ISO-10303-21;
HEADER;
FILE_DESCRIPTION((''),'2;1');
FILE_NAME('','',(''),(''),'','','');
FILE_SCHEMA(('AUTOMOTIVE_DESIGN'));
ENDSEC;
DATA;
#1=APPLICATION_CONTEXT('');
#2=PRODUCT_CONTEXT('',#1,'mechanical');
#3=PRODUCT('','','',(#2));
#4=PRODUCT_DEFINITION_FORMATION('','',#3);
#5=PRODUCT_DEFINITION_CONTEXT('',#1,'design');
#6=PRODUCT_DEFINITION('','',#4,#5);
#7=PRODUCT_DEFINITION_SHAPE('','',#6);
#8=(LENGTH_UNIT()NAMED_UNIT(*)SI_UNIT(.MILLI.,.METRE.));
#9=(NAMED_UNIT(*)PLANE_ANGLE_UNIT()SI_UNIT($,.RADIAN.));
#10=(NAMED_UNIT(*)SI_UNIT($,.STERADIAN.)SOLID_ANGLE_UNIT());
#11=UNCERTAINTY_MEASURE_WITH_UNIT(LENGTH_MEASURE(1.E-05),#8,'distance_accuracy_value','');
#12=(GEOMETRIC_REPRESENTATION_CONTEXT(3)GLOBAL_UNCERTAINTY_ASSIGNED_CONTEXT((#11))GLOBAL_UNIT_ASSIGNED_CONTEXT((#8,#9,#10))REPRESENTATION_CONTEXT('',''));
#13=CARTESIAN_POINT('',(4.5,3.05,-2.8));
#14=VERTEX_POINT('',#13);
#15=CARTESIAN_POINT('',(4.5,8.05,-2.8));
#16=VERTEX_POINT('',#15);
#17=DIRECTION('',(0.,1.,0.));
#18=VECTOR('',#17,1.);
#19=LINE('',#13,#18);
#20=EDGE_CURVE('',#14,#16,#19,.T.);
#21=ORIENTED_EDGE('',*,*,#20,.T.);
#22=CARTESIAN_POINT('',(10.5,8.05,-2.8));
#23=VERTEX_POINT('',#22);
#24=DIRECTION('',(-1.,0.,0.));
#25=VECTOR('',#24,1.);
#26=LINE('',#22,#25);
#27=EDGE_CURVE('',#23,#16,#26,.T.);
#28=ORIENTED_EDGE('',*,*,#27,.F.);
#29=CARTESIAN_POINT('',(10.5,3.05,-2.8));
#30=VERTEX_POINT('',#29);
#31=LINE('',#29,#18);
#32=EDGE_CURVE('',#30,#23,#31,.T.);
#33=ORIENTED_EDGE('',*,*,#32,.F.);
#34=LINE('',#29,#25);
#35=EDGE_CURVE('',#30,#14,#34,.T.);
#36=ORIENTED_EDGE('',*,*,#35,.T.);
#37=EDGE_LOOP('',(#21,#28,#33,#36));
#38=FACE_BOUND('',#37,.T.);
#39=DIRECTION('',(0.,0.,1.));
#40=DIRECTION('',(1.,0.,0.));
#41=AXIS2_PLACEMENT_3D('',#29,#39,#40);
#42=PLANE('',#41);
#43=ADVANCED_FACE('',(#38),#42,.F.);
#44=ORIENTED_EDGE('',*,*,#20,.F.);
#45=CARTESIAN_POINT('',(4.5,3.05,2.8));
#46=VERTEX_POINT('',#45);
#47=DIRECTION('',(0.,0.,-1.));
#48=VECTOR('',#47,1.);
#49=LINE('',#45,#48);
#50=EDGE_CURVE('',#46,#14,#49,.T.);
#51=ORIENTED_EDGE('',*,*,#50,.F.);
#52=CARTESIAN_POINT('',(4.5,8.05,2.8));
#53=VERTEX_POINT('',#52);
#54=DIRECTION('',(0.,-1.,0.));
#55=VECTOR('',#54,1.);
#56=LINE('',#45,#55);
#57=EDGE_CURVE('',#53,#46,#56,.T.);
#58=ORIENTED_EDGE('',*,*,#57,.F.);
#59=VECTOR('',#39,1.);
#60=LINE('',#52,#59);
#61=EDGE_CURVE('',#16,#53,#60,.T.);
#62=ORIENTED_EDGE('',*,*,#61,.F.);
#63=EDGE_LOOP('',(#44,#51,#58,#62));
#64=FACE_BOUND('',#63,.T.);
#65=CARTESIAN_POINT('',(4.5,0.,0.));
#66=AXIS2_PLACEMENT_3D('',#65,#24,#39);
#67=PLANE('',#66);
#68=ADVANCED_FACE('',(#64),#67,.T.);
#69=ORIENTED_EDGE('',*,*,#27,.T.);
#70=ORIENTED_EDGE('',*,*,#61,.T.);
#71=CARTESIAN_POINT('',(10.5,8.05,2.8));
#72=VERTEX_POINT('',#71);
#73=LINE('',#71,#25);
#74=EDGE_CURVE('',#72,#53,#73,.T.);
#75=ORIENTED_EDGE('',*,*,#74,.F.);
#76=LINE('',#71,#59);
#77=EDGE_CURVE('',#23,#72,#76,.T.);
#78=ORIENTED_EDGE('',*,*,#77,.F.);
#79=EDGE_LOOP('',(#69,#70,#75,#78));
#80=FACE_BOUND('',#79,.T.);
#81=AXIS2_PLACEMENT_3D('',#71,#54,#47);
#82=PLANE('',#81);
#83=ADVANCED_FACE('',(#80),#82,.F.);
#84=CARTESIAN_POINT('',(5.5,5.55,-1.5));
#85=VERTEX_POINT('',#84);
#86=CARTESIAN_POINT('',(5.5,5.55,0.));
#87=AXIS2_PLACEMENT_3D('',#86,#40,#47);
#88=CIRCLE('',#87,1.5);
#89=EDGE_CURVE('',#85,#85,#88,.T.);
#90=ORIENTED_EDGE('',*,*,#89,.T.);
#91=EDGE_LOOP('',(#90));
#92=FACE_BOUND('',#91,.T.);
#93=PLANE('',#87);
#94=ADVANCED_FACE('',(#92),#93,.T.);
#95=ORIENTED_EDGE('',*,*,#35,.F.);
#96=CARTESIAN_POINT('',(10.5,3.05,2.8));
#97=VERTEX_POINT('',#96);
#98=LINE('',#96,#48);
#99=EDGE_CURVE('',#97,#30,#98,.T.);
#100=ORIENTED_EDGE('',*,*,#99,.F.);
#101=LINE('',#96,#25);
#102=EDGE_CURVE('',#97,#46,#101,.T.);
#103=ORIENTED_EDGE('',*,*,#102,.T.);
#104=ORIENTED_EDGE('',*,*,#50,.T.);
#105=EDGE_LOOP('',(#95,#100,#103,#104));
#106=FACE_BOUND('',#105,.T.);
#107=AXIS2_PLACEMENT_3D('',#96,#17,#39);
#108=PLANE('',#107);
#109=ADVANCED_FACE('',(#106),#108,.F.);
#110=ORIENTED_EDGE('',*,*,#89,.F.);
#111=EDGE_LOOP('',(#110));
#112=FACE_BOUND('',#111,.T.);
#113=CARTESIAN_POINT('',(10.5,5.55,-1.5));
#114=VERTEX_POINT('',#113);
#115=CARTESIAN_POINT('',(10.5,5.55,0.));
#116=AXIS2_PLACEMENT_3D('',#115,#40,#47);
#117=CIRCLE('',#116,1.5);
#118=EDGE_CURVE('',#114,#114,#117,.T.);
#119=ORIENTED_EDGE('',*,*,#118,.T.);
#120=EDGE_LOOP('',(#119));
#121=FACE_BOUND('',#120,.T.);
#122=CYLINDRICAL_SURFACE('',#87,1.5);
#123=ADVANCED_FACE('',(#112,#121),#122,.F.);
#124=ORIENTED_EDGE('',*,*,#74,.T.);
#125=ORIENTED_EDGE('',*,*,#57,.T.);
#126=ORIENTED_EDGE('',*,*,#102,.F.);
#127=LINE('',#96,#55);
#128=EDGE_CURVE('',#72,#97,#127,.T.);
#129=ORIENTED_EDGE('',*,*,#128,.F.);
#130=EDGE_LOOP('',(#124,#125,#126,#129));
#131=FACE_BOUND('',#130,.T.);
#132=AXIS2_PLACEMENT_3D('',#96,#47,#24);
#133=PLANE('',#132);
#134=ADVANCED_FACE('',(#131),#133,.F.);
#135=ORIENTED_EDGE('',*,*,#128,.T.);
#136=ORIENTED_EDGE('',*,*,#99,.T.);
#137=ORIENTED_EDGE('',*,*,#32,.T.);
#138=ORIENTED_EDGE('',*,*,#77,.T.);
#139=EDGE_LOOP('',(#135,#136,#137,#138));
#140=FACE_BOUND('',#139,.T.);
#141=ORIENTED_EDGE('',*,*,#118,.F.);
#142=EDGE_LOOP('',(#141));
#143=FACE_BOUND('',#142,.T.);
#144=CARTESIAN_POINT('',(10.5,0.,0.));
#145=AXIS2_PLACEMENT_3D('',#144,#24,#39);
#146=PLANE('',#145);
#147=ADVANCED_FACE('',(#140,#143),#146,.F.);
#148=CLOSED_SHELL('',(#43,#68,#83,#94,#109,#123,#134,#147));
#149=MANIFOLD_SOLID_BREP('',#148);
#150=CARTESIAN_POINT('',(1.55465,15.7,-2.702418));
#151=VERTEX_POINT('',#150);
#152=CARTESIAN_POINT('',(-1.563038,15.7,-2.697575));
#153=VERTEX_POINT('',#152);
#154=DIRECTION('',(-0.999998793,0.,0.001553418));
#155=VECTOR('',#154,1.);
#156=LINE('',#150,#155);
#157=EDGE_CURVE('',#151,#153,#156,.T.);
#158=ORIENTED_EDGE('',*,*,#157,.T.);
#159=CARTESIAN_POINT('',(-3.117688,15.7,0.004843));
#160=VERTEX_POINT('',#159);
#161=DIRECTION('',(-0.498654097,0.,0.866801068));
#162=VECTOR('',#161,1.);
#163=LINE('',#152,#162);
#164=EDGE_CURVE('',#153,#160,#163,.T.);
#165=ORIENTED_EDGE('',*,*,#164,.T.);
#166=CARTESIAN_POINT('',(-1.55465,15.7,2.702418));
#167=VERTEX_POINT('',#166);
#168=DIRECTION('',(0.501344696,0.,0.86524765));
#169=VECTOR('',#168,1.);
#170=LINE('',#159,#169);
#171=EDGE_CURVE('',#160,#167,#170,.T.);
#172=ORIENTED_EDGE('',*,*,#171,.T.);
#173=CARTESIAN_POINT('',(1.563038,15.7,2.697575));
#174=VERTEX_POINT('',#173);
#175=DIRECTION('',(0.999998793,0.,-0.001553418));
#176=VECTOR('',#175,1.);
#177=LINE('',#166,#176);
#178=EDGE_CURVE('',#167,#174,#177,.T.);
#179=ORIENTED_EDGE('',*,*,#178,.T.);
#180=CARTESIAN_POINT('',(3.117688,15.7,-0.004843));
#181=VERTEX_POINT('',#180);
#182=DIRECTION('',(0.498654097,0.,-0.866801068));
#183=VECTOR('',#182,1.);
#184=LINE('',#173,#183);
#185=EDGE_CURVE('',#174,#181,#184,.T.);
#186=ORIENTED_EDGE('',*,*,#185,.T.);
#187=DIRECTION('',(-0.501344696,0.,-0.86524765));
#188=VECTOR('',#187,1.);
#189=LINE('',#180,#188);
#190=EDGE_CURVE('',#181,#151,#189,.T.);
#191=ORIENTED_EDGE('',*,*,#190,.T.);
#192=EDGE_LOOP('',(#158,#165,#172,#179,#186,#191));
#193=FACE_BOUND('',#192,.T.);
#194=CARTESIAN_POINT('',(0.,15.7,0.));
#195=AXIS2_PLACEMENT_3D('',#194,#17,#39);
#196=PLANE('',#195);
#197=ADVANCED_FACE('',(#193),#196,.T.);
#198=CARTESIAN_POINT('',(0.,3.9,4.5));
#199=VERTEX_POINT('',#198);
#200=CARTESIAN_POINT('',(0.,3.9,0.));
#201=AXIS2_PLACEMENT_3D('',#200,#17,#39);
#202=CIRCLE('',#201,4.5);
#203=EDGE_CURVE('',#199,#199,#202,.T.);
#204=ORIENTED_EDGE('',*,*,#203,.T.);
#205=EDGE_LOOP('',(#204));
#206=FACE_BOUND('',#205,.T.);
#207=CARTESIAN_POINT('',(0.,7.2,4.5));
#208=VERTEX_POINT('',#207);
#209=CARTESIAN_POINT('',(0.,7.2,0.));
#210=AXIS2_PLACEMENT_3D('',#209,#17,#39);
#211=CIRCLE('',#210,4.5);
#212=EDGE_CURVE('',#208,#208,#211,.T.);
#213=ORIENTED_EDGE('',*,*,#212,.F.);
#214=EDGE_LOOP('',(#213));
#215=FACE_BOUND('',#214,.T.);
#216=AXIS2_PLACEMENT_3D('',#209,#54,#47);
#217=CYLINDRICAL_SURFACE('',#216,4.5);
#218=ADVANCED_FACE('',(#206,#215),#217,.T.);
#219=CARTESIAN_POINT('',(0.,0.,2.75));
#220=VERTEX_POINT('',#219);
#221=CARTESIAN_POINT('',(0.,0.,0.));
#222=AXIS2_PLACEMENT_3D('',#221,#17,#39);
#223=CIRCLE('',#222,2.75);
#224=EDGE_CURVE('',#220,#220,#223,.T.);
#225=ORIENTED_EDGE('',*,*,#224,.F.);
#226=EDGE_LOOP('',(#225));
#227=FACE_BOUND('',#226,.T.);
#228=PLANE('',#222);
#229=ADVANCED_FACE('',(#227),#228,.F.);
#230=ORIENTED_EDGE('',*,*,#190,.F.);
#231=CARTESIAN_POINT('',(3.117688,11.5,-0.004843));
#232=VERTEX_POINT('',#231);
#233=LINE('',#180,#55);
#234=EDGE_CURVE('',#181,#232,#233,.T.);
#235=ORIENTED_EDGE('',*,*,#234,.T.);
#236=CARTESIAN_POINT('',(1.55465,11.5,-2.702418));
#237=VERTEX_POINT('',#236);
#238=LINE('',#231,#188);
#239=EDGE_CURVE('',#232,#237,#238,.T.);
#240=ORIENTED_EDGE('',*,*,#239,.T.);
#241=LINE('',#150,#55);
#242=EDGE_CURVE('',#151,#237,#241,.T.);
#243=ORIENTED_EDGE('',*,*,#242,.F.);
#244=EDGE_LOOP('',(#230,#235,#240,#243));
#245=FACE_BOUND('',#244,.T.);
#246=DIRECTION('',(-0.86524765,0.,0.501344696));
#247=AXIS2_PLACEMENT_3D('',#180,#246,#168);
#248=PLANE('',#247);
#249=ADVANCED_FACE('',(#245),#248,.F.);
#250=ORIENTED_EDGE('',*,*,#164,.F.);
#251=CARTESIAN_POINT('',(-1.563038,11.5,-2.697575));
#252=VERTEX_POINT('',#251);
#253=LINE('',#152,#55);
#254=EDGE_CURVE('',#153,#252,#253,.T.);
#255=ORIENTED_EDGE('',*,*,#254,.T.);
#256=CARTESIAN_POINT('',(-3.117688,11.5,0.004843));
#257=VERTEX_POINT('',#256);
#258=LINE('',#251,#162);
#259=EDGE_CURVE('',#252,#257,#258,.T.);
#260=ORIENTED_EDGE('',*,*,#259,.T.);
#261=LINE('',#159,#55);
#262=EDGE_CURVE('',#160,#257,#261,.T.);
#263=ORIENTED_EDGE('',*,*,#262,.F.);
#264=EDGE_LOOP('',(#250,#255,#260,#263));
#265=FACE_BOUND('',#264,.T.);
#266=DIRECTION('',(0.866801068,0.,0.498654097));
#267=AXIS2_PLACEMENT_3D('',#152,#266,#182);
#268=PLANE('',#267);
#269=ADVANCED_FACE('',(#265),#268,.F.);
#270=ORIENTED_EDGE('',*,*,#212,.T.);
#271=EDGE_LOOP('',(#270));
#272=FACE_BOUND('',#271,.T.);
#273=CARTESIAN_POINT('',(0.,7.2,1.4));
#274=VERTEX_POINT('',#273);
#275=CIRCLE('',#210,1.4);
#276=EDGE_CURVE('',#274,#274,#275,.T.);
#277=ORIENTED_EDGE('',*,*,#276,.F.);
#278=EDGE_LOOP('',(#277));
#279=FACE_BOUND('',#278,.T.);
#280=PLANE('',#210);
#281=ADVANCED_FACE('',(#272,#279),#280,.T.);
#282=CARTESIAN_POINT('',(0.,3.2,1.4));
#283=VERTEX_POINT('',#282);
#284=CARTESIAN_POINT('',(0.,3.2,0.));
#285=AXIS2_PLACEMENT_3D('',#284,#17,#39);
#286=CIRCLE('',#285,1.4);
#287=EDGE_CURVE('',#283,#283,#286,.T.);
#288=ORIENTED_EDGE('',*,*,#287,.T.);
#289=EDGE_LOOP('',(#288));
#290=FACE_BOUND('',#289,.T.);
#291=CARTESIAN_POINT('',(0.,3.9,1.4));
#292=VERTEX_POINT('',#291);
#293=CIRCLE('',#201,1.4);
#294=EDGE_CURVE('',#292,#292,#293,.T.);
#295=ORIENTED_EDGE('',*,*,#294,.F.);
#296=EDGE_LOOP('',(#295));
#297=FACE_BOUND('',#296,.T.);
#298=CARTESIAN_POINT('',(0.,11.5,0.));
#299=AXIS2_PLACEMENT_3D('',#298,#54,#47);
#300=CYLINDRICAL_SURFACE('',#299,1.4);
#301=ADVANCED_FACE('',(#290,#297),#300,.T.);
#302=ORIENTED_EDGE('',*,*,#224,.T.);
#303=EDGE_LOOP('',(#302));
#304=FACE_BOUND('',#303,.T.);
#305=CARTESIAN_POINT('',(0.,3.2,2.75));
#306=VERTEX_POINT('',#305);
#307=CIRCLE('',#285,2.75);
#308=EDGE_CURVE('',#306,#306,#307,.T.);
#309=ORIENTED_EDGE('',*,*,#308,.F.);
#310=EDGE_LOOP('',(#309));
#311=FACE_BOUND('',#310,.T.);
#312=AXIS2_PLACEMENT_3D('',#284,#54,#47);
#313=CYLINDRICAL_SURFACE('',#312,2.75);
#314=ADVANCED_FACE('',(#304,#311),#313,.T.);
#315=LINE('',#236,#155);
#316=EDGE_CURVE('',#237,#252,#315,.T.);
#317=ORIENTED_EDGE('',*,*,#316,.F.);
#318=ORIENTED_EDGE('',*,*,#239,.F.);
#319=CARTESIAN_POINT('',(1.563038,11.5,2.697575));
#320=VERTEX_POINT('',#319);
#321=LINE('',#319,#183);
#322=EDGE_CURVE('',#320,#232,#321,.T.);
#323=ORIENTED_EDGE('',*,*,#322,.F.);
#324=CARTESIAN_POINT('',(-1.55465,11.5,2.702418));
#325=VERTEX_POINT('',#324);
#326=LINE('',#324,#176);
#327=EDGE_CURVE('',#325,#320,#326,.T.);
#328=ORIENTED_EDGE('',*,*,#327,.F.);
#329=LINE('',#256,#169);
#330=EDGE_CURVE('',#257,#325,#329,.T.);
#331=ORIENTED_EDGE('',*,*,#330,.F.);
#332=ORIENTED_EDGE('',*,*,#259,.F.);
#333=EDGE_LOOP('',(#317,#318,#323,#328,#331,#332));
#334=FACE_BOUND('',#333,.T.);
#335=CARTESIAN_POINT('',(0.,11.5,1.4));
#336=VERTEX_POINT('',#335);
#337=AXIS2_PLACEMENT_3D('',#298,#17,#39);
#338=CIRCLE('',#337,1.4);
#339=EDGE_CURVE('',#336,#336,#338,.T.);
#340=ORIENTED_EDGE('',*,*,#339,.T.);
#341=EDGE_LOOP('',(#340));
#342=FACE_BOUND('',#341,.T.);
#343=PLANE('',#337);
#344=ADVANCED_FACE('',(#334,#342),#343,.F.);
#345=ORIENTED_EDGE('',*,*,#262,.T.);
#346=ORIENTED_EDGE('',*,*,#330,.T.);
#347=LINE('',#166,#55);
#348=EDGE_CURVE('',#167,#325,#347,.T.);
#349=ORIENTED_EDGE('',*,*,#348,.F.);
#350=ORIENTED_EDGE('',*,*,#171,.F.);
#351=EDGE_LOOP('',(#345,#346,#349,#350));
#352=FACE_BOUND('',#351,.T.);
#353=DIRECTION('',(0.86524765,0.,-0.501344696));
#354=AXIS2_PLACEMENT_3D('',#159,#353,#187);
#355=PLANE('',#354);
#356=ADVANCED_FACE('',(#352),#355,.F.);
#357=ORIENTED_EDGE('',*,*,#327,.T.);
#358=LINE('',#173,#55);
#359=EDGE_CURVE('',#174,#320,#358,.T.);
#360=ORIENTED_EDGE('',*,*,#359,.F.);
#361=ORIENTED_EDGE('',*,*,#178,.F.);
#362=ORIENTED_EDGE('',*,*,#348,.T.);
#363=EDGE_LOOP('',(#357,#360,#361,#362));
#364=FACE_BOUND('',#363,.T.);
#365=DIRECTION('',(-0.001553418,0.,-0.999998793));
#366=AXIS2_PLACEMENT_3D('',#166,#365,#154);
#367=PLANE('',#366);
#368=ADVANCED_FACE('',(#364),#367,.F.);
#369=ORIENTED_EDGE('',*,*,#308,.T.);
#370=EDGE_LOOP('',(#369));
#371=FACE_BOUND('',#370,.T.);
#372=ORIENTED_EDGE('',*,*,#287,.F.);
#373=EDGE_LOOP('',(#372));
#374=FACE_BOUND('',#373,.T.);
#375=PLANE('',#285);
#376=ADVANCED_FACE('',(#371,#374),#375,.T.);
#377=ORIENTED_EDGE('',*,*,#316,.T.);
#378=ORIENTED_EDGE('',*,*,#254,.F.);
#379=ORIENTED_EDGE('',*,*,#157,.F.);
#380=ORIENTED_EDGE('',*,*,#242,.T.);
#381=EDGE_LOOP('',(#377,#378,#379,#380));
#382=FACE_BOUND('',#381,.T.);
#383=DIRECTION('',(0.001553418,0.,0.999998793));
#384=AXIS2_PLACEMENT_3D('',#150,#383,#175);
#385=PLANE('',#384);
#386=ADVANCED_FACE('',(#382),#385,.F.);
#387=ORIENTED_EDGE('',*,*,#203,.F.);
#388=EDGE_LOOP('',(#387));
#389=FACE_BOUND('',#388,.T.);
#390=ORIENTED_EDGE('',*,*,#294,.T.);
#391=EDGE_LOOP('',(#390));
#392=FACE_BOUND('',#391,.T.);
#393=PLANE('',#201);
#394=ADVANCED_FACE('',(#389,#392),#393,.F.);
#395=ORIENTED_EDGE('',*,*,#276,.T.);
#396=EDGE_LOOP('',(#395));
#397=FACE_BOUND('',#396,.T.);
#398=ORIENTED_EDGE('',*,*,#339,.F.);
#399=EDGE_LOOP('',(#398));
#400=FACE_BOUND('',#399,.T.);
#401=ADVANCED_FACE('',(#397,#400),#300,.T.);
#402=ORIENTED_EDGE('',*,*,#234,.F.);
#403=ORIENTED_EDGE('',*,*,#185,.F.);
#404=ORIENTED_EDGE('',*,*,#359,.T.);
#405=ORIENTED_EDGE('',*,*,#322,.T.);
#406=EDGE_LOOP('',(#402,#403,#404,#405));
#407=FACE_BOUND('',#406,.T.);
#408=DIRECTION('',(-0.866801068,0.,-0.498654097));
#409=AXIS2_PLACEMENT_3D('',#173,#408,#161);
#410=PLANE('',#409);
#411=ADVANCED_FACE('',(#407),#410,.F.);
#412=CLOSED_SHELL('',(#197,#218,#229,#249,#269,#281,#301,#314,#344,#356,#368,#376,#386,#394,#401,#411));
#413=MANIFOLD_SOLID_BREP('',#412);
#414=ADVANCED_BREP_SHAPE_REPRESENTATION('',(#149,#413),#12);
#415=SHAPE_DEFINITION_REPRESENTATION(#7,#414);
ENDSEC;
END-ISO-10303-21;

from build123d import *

# Parameters (mm, degrees)
SKETCH1_R           = 2.75
BOSS_EXTRUDE1_DEPTH = 3.2
SKETCH2_R           = 1.4
BOSS_EXTRUDE2_DEPTH = 8.3
BOSS_EXTRUDE3_DEPTH = 4.2
SKETCH6_R           = 4.5
BOSS_EXTRUDE5_DEPTH = 3.3
SKETCH7_W           = 5.6
SKETCH7_H           = 5
BOSS_EXTRUDE6_DEPTH = 6
SKETCH8_R           = 1.5
CUT_EXTRUDE1_DEPTH  = 5


with BuildPart() as part:
    # Sketch1 → Boss-Extrude1 (new body)
    with BuildSketch(Plane(origin=(0, 0, 0), x_dir=(1, 0, 0), z_dir=(0, 1, 0))):
        Circle(SKETCH1_R)
    extrude(amount=BOSS_EXTRUDE1_DEPTH)

    # Sketch2 → Boss-Extrude2 (add)
    with BuildSketch(Plane(origin=(0, 3.2, 0), x_dir=(1, 0, 0), z_dir=(0, 1, 0))):
        Circle(SKETCH2_R)
    extrude(amount=BOSS_EXTRUDE2_DEPTH)

    # Sketch3 → Boss-Extrude3 (add)
    with BuildSketch(Plane(origin=(0, 11.5, 0), x_dir=(1, 0, 0), z_dir=(0, 1, 0))):
        Polygon((1.554649618, 2.702418281), (-1.563038074, 2.697575204), (-3.117687692, -0.004843077), (-1.554649618, -2.702418281), (1.563038074, -2.697575204), (3.117687692, 0.004843077), align=None)
    extrude(amount=BOSS_EXTRUDE3_DEPTH)

    # Sketch6 → Boss-Extrude5 (add)
    with BuildSketch(Plane(origin=(0, 3.9, 0), x_dir=(1, 0, 0), z_dir=(0, 1, 0))):
        Circle(SKETCH6_R)
    extrude(amount=BOSS_EXTRUDE5_DEPTH)


with BuildPart() as body_2:
    # Sketch7 → Boss-Extrude6 (new body)
    with BuildSketch(Plane(origin=(4.5, 0, 0), x_dir=(0, 0, -1), z_dir=(1, 0, 0))):
        with Locations((0, 5.55)):
            Rectangle(SKETCH7_W, SKETCH7_H)
    extrude(amount=BOSS_EXTRUDE6_DEPTH)

    # Sketch8 → Cut-Extrude1 (cut)
    with BuildSketch(Plane(origin=(10.5, 0, 0), x_dir=(0, 0, -1), z_dir=(1, 0, 0))):
        with Locations((0, 5.55)):
            Circle(SKETCH8_R)
    extrude(amount=-CUT_EXTRUDE1_DEPTH, mode=Mode.SUBTRACT)


solid = Compound([part.part, body_2.part])
